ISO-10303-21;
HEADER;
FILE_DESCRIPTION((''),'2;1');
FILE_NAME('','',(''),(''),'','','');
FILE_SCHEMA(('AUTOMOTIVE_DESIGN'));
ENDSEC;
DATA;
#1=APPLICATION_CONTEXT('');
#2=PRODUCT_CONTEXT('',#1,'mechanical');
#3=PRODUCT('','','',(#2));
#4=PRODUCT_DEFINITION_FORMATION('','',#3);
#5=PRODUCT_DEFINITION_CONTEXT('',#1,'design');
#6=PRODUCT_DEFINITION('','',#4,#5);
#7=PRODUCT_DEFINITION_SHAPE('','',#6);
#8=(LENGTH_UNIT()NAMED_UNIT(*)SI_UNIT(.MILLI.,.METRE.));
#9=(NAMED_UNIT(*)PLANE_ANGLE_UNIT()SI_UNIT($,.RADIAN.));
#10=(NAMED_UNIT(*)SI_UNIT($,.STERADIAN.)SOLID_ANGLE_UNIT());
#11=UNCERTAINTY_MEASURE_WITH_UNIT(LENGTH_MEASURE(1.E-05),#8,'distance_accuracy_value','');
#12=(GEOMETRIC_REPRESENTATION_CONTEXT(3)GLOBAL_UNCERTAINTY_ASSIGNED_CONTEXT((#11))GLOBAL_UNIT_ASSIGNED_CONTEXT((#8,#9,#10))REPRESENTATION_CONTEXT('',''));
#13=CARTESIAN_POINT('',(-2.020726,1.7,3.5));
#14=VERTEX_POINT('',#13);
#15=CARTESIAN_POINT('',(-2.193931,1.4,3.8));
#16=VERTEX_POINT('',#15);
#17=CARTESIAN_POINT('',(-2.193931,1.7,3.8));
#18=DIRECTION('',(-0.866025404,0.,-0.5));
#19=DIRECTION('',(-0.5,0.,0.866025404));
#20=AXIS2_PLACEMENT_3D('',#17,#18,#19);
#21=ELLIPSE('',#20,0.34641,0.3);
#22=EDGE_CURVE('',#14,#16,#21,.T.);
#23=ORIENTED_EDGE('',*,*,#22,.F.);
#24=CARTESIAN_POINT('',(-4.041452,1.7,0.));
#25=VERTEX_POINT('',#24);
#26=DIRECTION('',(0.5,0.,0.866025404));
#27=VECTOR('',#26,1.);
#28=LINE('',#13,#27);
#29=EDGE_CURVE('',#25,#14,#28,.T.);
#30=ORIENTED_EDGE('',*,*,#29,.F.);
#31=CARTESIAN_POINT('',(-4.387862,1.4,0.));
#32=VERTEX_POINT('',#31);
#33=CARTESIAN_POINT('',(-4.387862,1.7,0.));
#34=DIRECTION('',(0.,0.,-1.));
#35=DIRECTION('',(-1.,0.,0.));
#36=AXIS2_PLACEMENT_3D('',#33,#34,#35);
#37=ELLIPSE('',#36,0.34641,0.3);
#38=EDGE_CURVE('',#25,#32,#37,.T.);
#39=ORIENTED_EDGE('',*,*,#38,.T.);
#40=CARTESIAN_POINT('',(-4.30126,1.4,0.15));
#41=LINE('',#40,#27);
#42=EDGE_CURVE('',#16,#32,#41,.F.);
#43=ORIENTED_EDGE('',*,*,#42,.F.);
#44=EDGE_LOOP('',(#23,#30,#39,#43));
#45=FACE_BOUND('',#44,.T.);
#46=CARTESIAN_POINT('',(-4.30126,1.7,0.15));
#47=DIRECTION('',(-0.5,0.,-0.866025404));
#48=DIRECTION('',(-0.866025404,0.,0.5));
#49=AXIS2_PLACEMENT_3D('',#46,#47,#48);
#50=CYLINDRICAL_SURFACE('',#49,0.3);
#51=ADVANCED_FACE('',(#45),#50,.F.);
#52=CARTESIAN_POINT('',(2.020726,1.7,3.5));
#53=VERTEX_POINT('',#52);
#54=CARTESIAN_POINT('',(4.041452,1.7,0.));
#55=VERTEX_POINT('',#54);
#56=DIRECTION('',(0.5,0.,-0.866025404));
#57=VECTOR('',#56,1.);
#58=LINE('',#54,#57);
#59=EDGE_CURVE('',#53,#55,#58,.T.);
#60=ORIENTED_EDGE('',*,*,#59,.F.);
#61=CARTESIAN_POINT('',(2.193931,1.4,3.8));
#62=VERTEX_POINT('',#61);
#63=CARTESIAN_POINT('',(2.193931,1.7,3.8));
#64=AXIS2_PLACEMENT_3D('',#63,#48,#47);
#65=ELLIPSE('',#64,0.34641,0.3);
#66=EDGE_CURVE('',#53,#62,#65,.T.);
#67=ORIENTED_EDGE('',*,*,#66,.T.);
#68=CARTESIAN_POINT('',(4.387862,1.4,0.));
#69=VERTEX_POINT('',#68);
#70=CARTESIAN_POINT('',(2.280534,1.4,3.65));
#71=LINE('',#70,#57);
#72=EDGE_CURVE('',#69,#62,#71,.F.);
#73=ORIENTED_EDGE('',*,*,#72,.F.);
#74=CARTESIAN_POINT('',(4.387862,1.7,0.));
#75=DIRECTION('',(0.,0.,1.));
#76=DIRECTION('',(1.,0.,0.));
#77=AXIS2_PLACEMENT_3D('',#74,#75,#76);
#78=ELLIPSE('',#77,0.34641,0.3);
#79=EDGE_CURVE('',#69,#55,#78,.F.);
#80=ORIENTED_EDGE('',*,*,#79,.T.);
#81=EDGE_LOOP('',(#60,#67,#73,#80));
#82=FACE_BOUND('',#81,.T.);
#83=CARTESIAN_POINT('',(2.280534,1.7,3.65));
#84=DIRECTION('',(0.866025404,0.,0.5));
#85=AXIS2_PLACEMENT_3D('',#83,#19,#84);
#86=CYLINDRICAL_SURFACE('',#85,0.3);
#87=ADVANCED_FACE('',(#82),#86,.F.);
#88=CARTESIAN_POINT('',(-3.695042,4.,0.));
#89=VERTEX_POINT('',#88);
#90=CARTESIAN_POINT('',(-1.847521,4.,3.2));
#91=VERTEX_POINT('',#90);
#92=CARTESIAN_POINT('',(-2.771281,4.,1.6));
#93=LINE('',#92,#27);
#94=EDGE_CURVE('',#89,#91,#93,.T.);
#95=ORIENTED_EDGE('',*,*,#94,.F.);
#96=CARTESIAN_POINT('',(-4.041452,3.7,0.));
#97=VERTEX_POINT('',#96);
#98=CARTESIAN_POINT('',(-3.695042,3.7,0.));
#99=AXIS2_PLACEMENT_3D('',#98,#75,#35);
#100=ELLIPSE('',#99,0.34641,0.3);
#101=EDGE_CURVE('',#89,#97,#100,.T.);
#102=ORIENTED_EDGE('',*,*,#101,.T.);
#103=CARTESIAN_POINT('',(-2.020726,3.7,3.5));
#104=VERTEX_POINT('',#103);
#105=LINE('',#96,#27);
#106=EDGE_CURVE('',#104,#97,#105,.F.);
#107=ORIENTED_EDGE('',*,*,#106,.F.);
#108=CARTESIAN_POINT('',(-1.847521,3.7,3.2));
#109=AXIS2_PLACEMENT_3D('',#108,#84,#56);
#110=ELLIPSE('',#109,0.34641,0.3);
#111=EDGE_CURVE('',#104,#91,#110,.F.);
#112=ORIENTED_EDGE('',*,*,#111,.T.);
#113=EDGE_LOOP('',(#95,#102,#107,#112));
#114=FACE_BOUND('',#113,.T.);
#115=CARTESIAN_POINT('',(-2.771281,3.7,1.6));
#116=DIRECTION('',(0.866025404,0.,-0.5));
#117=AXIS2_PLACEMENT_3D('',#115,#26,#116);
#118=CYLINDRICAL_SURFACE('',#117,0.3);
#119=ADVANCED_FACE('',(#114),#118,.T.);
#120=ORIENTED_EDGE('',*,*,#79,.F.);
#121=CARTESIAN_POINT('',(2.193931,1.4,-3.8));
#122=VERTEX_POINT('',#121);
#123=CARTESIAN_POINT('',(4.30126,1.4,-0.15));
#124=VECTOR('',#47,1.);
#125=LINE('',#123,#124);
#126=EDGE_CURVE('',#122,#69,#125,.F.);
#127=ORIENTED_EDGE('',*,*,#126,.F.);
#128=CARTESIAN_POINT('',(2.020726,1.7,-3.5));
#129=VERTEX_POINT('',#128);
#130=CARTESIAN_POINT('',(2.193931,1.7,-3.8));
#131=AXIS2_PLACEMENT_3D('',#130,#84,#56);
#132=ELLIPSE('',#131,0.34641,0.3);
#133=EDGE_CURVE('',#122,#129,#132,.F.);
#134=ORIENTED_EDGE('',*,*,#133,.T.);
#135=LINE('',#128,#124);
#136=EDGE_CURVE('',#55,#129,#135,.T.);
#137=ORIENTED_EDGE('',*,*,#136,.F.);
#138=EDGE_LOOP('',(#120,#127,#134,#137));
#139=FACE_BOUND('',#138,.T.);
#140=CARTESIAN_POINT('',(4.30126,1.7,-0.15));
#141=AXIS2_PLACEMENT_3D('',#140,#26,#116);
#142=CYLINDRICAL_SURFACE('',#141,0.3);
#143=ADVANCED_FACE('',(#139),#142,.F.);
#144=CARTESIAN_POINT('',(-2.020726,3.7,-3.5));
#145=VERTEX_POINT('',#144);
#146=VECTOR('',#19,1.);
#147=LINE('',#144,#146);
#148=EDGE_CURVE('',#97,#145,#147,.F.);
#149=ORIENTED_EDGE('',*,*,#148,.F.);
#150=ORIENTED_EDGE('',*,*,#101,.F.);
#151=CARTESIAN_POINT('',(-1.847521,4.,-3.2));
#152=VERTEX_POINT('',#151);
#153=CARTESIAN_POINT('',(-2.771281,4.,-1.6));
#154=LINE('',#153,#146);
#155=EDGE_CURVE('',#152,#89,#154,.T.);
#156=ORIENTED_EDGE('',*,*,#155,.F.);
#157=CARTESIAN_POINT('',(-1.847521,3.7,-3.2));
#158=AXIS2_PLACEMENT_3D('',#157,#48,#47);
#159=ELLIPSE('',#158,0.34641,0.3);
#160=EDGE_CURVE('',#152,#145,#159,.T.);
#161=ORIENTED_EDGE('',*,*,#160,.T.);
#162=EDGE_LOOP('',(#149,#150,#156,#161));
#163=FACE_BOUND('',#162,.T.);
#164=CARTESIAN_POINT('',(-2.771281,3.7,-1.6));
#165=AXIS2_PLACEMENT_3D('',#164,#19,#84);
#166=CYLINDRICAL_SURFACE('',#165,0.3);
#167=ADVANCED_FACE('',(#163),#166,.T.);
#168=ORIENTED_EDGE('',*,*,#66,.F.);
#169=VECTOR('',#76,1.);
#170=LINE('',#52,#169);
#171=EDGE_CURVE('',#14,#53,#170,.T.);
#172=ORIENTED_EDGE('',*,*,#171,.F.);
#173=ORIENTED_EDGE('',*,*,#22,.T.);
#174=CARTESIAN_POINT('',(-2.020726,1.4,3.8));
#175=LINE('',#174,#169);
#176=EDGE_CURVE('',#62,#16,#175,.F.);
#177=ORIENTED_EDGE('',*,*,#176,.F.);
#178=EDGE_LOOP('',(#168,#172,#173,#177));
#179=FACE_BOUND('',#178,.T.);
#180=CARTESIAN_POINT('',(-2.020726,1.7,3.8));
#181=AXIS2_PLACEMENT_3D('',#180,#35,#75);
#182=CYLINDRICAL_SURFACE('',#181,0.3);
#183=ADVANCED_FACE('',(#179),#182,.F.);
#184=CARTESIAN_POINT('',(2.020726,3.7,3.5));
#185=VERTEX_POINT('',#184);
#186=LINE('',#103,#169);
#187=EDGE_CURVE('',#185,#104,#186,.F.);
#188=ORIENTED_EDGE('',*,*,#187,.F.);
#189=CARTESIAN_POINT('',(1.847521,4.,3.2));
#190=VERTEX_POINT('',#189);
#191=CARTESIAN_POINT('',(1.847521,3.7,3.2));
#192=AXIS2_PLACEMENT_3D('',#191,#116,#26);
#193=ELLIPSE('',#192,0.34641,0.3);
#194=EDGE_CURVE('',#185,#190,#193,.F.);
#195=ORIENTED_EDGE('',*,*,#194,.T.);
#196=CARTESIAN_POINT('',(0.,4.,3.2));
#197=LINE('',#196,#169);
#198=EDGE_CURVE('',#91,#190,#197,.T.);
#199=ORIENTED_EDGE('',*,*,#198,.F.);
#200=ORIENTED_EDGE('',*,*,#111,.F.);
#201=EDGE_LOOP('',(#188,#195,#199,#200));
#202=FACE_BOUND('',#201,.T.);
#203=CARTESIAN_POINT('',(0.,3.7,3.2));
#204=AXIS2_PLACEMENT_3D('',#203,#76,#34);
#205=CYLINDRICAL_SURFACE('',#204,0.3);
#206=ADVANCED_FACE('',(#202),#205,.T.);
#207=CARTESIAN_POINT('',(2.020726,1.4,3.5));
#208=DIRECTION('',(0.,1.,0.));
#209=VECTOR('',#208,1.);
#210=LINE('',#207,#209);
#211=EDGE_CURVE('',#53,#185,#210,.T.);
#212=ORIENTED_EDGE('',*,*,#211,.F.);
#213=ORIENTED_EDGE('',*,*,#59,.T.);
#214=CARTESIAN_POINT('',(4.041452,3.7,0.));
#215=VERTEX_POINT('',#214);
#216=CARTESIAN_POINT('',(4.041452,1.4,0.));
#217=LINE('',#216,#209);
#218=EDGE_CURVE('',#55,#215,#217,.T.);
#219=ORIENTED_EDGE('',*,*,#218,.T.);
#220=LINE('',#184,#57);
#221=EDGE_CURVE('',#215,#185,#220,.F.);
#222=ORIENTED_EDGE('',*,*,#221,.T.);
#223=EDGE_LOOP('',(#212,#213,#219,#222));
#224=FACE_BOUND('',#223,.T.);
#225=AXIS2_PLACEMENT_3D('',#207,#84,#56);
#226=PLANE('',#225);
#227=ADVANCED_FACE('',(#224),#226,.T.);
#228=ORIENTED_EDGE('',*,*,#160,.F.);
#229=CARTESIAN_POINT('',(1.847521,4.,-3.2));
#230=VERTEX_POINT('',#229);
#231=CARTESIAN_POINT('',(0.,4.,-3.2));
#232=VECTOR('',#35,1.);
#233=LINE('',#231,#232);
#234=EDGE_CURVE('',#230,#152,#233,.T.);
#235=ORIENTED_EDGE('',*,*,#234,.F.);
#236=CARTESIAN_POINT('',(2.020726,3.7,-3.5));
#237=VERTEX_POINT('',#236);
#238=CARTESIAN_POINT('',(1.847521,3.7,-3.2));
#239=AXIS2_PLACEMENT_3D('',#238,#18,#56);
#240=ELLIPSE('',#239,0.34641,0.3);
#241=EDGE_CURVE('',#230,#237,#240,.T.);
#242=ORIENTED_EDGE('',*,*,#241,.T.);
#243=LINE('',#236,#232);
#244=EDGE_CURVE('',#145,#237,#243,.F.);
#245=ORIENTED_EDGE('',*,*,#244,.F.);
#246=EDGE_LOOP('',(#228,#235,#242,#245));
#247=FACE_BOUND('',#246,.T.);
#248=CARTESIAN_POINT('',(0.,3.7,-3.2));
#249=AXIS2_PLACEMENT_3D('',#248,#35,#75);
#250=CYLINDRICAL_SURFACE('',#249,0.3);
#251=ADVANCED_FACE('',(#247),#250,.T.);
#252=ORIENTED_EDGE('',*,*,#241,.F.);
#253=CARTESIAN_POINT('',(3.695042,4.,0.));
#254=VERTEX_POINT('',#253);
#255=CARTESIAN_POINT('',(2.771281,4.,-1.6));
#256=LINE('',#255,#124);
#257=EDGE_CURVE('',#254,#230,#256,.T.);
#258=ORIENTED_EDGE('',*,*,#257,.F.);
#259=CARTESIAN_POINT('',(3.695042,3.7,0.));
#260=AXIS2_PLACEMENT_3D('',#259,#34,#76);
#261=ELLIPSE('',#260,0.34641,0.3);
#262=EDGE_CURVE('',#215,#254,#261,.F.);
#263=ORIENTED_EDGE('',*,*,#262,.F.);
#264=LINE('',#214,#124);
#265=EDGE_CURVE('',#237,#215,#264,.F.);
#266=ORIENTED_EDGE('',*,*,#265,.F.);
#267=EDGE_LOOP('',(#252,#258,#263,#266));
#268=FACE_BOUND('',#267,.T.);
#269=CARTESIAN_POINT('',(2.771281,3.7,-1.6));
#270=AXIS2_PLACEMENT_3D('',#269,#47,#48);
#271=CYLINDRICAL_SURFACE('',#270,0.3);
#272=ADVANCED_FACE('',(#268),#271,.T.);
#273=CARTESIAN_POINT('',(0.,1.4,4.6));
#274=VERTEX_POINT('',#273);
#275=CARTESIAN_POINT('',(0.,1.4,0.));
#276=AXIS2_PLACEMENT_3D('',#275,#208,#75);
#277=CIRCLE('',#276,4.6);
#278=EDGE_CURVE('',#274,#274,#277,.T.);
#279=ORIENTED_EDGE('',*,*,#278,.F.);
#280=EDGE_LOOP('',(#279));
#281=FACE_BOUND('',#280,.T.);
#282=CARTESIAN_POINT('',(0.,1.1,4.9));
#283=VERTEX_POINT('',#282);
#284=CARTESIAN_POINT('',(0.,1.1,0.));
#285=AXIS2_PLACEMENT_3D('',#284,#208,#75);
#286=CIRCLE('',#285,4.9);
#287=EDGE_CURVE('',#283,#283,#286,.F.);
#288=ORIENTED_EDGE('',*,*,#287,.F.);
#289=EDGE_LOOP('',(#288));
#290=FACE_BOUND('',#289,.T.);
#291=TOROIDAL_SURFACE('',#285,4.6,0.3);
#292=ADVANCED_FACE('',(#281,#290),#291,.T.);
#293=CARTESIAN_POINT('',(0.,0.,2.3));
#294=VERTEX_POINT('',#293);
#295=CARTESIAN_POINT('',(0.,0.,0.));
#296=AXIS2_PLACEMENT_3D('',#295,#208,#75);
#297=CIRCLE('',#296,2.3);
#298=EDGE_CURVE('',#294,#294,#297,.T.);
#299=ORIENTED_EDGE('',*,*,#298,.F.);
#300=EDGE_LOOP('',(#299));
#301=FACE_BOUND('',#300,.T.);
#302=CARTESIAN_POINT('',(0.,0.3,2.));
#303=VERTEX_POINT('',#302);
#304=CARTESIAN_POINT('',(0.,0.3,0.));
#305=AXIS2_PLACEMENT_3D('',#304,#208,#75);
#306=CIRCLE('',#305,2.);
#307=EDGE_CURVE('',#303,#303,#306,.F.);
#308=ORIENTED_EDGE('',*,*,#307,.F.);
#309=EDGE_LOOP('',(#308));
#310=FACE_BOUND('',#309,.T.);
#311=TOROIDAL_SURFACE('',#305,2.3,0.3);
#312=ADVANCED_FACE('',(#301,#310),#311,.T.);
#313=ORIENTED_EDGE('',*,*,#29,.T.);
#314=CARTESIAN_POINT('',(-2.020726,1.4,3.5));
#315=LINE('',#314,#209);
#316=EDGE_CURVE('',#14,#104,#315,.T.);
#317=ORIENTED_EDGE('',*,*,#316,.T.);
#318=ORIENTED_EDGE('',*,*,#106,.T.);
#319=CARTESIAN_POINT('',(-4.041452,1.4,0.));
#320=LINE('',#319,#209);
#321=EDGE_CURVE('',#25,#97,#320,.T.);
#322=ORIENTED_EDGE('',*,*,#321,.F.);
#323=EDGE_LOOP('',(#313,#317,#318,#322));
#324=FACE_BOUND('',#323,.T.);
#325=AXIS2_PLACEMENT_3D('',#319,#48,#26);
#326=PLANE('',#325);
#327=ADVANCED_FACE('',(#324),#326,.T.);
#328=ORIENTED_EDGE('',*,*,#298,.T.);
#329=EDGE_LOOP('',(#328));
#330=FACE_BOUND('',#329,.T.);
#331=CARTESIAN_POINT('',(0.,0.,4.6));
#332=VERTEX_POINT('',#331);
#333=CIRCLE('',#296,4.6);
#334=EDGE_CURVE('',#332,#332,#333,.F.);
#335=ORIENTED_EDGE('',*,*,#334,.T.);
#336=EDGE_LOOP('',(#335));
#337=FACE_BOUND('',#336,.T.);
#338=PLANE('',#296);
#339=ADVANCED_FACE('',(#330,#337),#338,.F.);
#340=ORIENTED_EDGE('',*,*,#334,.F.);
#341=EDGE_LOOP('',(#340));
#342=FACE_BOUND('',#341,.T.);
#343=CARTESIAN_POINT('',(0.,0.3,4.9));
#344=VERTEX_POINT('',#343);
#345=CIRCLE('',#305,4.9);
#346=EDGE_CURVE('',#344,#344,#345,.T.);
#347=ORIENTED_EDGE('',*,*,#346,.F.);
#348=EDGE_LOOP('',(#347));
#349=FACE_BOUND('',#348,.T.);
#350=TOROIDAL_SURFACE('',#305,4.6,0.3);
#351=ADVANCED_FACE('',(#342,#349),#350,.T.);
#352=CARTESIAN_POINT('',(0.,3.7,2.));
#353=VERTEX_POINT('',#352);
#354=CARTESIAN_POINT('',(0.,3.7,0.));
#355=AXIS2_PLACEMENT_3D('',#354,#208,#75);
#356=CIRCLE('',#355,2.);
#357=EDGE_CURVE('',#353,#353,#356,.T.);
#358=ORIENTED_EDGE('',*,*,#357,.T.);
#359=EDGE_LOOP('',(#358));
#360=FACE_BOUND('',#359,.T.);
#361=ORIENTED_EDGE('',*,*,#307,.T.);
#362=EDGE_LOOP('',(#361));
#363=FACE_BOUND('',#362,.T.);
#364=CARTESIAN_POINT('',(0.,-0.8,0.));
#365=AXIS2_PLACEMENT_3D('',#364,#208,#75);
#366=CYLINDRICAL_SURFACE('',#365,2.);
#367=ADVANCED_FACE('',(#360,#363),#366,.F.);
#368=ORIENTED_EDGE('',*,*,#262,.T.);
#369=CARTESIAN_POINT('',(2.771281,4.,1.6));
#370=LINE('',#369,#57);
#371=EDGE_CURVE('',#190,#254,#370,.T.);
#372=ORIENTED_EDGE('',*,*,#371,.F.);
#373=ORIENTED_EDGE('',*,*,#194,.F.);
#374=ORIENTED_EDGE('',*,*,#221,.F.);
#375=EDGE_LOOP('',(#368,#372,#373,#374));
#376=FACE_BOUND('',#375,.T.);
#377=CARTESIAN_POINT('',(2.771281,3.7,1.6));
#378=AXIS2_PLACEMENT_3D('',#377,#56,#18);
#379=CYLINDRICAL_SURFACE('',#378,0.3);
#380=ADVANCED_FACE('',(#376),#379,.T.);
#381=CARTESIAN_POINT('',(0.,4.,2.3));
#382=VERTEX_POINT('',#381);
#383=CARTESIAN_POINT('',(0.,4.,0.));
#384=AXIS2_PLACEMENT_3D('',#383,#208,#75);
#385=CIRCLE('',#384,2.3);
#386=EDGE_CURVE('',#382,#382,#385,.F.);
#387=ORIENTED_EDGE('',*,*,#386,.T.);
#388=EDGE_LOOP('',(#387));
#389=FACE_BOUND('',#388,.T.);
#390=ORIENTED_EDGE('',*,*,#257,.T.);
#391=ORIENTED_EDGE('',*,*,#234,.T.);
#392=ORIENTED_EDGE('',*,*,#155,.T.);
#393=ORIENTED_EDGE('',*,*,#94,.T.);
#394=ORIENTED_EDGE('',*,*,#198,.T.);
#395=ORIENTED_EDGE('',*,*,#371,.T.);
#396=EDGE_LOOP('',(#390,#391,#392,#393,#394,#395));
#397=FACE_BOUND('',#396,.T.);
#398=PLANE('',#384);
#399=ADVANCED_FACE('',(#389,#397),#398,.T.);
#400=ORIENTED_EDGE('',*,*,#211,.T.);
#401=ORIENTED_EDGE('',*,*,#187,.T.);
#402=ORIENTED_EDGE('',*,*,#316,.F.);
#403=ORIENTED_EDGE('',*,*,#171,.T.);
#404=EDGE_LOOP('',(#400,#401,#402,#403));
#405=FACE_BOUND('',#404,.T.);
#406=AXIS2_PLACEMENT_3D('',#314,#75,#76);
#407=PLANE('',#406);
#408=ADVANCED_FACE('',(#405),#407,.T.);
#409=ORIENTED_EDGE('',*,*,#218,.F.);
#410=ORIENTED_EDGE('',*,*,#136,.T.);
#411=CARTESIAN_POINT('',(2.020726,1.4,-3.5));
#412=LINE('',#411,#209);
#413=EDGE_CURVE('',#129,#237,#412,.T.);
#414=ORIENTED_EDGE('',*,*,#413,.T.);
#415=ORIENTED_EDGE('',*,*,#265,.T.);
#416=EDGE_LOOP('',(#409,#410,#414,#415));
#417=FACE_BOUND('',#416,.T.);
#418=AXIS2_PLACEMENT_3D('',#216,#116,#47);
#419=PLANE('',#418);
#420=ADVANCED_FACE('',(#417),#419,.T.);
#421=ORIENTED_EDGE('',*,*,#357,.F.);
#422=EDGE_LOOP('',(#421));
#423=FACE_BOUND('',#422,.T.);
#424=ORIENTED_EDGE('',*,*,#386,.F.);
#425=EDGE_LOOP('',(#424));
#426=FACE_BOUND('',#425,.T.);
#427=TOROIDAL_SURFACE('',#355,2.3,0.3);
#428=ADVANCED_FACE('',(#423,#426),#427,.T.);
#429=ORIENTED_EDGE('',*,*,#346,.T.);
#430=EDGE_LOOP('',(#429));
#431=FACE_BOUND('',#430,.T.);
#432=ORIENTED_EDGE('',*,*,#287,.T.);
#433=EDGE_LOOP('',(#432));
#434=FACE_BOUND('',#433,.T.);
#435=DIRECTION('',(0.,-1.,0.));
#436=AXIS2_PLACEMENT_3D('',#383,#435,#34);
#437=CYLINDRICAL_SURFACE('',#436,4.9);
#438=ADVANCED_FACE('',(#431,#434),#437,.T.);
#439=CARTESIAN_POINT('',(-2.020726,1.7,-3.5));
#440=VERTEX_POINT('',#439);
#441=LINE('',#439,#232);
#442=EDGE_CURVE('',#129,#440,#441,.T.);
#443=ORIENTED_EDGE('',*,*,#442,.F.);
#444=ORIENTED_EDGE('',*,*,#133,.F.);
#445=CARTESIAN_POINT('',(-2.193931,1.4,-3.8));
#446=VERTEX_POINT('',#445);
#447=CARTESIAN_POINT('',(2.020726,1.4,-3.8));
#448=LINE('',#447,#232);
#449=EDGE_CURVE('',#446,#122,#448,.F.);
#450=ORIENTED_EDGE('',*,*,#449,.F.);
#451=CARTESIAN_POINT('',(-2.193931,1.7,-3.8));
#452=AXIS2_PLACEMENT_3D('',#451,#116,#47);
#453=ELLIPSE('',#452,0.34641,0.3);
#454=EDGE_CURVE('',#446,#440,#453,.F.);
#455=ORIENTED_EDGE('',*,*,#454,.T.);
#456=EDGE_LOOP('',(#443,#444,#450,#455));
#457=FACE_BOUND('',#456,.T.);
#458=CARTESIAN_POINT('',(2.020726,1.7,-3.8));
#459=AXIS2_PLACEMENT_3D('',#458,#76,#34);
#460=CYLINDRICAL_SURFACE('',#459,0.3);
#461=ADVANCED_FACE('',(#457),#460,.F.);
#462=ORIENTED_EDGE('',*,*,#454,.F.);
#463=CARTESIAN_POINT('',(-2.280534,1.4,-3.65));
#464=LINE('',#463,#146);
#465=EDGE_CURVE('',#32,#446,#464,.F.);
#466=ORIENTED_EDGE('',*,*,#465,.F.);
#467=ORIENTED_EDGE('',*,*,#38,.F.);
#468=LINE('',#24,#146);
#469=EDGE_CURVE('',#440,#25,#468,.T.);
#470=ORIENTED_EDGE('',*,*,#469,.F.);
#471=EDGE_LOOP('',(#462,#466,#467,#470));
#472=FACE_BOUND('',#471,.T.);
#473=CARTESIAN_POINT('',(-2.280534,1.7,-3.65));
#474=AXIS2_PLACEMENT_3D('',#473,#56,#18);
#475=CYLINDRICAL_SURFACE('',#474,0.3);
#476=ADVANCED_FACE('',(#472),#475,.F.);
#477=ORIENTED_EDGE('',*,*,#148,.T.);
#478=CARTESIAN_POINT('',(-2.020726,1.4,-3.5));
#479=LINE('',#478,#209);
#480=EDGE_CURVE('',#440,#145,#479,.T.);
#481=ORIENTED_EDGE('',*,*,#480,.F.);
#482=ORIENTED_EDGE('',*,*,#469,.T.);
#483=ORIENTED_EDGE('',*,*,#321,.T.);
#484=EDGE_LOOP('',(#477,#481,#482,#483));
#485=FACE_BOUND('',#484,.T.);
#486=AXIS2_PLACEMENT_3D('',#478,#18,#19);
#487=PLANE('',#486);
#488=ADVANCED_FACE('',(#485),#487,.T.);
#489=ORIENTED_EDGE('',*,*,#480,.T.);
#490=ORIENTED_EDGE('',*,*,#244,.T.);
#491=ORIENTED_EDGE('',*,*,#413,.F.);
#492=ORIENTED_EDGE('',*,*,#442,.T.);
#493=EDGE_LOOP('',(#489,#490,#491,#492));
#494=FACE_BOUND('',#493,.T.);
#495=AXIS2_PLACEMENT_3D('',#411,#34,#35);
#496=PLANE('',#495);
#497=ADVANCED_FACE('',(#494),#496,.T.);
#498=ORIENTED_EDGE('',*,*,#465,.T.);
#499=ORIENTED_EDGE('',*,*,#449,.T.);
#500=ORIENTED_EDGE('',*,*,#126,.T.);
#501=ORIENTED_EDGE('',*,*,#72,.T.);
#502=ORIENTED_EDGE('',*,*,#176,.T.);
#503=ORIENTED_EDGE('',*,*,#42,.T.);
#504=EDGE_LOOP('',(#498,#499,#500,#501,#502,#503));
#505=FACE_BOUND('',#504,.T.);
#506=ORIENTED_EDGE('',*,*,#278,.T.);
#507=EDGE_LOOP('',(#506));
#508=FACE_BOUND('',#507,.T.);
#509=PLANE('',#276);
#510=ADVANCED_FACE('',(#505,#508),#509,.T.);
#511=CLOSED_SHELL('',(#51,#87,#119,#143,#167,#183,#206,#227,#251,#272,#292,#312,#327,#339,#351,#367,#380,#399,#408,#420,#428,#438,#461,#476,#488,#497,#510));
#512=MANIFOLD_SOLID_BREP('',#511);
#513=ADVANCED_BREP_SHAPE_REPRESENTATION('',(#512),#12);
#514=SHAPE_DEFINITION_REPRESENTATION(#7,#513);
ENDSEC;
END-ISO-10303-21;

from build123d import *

# Parameters (mm, degrees)
SKETCH1_R           = 4.9
BOSS_EXTRUDE1_DEPTH = 4
SKETCH2_R           = 2
CUT_EXTRUDE1_DEPTH  = 4.8
SKETCH3_OUTSIDE_W   = 14.684
SKETCH3_OUTSIDE_H   = 14.684
CUT_EXTRUDE2_DEPTH  = 2.6
FILLET1_R           = 0.3


with BuildPart() as part:
    # Sketch1 → Boss-Extrude1 (new body)
    with BuildSketch(Plane(origin=(0, 0, 0), x_dir=(1, 0, 0), z_dir=(0, 1, 0))):
        Circle(SKETCH1_R)
    extrude(amount=BOSS_EXTRUDE1_DEPTH)

    # Sketch2 → Cut-Extrude1 (cut)
    with BuildSketch(Plane(origin=(0, 4, 0), x_dir=(1, 0, 0), z_dir=(0, 1, 0))):
        Circle(SKETCH2_R)
    extrude(amount=-CUT_EXTRUDE1_DEPTH, mode=Mode.SUBTRACT)

    # Sketch3 outside → Cut-Extrude2 (cut)
    with BuildSketch(Plane(origin=(0, 4, 0), x_dir=(1, 0, 0), z_dir=(0, 1, 0))):
        Rectangle(SKETCH3_OUTSIDE_W, SKETCH3_OUTSIDE_H)
        Polygon((4.041451884, 0), (2.020725942, 3.5), (-2.020725942, 3.5), (-4.041451884, 0), (-2.020725942, -3.5), (2.020725942, -3.5), align=None, mode=Mode.SUBTRACT)
    extrude(amount=-CUT_EXTRUDE2_DEPTH, mode=Mode.SUBTRACT)

    # Fillet1
    fillet1_edges = [part.edges().sort_by_distance(p)[0] for p in [
        (0, 1.4, 3.5),
        (3.031088913, 1.4, 1.75),
        (3.031088913, 1.4, -1.75),
        (0, 1.4, -3.5),
        (-3.031088913, 1.4, -1.75),
        (-3.031088913, 1.4, 1.75),
        (-4.9, 1.4, 0),
        (-4.9, 0, 0),
        (3.031088913, 4, 1.75),
        (0, 4, 3.5),
        (-3.031088913, 4, 1.75),
        (-3.031088913, 4, -1.75),
        (0, 4, -3.5),
        (3.031088913, 4, -1.75),
        (-2, 0, 0),
        (-2, 4, 0),
    ]]
    fillet(fillet1_edges, radius=FILLET1_R)


solid = part.part
